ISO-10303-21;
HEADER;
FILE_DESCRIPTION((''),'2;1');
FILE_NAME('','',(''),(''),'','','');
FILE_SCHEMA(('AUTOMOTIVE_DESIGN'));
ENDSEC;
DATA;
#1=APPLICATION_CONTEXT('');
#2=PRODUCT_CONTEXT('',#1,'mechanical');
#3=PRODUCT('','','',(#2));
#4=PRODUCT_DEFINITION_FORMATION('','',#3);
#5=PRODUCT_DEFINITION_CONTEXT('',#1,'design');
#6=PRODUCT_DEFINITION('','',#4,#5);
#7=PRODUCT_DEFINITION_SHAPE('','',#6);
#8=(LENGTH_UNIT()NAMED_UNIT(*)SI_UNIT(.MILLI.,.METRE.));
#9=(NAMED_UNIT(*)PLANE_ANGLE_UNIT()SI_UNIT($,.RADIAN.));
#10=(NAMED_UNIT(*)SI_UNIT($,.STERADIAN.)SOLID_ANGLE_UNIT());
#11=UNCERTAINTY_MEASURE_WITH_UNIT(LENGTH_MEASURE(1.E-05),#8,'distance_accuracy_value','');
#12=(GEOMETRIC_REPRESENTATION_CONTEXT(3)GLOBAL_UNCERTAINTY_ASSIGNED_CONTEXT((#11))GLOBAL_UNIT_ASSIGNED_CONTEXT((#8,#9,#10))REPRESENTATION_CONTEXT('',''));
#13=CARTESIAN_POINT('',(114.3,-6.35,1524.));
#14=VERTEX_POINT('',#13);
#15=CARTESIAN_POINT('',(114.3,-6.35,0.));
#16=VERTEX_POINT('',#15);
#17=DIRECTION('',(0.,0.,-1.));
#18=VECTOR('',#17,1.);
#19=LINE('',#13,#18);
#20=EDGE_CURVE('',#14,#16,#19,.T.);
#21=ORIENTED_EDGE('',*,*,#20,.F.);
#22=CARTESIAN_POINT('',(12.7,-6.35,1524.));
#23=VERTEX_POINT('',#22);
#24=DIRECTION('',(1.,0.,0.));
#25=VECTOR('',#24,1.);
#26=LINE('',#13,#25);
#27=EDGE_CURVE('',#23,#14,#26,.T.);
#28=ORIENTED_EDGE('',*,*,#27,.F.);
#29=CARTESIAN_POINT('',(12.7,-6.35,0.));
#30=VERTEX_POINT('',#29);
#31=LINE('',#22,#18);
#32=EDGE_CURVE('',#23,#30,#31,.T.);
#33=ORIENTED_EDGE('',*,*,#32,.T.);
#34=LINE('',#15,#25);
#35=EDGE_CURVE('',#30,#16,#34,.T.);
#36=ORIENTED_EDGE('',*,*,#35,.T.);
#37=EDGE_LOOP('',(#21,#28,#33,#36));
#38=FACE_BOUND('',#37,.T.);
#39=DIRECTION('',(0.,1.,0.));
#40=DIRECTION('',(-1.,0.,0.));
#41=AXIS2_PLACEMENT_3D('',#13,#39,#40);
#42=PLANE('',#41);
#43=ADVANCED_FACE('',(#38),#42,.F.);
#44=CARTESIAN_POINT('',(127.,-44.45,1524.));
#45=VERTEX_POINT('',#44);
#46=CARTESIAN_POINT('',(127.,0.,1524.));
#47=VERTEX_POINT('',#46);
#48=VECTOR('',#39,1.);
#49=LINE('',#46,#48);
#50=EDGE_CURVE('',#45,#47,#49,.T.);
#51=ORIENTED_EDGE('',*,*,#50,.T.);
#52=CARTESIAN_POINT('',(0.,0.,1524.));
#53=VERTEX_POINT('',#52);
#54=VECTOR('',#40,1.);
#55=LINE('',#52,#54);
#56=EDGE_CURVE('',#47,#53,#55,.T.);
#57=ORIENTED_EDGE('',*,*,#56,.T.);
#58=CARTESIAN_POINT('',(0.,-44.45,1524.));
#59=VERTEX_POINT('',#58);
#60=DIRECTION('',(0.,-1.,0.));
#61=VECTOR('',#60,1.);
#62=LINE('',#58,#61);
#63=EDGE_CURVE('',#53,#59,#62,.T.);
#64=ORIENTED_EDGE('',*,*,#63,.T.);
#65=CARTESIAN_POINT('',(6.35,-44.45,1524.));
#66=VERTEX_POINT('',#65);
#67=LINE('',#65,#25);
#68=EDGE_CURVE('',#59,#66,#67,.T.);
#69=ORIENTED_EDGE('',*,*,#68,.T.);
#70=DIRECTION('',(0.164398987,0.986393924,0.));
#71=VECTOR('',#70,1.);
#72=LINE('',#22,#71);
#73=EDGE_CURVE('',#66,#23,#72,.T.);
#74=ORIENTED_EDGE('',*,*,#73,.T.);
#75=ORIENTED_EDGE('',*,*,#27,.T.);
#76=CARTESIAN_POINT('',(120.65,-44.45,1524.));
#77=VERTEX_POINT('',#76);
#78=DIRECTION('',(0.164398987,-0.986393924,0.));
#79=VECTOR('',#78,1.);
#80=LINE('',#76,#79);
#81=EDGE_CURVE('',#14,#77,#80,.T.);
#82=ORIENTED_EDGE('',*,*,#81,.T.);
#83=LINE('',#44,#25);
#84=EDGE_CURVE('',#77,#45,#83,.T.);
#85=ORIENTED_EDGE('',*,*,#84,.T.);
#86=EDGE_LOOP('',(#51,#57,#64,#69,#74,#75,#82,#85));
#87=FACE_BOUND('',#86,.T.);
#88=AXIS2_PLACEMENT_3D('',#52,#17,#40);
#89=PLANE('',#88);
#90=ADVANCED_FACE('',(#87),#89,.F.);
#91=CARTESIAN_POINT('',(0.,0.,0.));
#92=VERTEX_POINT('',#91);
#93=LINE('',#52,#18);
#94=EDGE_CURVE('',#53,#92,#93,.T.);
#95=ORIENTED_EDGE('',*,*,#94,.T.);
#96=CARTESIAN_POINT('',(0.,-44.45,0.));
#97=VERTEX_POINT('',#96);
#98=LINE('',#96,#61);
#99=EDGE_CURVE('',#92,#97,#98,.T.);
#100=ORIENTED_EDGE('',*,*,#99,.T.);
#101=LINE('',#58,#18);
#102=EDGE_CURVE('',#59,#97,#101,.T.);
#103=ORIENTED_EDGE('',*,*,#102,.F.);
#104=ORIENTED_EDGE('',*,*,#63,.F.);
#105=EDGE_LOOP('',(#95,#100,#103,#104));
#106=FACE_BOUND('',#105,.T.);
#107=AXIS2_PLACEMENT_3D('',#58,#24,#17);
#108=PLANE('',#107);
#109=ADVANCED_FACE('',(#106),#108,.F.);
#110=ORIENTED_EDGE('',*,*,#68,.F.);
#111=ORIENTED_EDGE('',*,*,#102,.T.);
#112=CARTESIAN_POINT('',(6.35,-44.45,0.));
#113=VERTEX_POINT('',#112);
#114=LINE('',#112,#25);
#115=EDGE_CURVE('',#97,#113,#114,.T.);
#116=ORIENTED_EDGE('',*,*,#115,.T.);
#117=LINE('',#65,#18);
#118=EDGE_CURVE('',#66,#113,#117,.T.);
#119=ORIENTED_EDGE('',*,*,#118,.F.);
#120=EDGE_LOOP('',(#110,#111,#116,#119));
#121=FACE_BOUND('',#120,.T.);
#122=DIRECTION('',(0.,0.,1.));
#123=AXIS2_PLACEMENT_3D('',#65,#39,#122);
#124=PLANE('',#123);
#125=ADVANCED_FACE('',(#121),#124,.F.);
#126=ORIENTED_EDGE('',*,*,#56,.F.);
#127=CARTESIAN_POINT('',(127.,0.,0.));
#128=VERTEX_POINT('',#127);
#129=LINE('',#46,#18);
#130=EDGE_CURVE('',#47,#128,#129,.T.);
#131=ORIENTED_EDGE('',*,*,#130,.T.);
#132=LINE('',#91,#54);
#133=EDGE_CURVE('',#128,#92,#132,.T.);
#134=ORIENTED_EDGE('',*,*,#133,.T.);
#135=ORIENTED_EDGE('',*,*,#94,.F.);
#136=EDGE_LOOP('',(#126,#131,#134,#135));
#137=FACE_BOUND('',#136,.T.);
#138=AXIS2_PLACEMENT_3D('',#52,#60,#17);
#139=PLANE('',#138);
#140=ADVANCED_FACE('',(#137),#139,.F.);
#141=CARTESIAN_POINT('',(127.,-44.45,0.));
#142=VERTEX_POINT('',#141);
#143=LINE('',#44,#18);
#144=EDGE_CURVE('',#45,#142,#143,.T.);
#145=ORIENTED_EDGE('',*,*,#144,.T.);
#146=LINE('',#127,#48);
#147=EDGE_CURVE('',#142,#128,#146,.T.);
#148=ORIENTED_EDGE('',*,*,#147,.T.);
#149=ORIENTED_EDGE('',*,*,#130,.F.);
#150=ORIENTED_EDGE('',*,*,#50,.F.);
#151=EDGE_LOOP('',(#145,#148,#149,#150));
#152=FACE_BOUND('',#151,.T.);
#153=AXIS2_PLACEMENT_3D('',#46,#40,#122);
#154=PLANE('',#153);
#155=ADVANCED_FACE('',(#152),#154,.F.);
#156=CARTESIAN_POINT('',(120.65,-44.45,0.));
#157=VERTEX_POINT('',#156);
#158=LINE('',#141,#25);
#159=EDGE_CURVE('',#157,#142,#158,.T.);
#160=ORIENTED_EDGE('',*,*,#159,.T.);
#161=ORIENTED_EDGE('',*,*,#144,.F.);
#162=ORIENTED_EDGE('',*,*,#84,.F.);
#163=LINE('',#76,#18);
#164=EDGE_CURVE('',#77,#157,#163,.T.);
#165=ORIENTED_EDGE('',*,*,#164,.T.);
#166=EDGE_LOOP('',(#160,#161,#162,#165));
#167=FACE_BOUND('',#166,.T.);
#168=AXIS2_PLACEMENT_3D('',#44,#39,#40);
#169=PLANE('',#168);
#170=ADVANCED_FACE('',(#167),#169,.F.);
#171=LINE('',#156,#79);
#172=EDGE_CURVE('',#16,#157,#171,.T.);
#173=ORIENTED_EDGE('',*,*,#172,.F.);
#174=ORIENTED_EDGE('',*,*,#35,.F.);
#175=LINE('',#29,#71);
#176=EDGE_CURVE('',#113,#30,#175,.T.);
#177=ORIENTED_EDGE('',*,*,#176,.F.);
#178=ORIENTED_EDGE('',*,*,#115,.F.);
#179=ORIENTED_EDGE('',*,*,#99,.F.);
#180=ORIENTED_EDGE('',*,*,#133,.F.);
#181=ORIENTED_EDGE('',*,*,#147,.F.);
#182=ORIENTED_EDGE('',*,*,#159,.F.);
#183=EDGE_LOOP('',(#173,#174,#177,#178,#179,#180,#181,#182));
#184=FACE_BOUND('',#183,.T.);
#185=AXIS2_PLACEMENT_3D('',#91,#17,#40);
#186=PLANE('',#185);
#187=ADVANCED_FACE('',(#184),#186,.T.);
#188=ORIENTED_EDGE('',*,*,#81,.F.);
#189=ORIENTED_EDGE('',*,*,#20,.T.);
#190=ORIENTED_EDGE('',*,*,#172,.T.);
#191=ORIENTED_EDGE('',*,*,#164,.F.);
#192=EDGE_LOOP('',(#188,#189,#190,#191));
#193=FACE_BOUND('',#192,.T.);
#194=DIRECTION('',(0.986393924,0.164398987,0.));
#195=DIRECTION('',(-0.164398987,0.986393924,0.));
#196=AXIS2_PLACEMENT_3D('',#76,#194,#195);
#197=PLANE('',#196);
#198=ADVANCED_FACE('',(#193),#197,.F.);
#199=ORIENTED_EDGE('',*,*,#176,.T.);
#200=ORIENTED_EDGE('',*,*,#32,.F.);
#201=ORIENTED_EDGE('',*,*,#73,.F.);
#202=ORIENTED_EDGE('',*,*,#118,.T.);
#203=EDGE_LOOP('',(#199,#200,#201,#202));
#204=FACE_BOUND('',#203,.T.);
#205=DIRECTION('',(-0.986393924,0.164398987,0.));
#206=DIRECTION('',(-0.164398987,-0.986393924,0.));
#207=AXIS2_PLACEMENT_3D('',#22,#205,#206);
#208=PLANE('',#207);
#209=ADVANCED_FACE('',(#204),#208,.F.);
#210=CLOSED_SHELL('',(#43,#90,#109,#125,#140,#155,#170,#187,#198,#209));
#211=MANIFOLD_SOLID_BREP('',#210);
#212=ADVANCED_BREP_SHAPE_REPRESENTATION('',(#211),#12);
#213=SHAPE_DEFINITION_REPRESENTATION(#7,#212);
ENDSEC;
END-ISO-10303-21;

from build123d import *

# Parameters (mm, degrees)
BOSS_EXTRUDE1_DEPTH = 1524


with BuildPart() as part:
    # Sketch1 → Boss-Extrude1 (new body)
    with BuildSketch(Plane.XY):
        Polygon((0, 0), (127, 0), (127, -44.45), (120.65, -44.45), (114.3, -6.35), (12.7, -6.35), (6.35, -44.45), (0, -44.45), align=None)
    extrude(amount=BOSS_EXTRUDE1_DEPTH)


solid = part.part
